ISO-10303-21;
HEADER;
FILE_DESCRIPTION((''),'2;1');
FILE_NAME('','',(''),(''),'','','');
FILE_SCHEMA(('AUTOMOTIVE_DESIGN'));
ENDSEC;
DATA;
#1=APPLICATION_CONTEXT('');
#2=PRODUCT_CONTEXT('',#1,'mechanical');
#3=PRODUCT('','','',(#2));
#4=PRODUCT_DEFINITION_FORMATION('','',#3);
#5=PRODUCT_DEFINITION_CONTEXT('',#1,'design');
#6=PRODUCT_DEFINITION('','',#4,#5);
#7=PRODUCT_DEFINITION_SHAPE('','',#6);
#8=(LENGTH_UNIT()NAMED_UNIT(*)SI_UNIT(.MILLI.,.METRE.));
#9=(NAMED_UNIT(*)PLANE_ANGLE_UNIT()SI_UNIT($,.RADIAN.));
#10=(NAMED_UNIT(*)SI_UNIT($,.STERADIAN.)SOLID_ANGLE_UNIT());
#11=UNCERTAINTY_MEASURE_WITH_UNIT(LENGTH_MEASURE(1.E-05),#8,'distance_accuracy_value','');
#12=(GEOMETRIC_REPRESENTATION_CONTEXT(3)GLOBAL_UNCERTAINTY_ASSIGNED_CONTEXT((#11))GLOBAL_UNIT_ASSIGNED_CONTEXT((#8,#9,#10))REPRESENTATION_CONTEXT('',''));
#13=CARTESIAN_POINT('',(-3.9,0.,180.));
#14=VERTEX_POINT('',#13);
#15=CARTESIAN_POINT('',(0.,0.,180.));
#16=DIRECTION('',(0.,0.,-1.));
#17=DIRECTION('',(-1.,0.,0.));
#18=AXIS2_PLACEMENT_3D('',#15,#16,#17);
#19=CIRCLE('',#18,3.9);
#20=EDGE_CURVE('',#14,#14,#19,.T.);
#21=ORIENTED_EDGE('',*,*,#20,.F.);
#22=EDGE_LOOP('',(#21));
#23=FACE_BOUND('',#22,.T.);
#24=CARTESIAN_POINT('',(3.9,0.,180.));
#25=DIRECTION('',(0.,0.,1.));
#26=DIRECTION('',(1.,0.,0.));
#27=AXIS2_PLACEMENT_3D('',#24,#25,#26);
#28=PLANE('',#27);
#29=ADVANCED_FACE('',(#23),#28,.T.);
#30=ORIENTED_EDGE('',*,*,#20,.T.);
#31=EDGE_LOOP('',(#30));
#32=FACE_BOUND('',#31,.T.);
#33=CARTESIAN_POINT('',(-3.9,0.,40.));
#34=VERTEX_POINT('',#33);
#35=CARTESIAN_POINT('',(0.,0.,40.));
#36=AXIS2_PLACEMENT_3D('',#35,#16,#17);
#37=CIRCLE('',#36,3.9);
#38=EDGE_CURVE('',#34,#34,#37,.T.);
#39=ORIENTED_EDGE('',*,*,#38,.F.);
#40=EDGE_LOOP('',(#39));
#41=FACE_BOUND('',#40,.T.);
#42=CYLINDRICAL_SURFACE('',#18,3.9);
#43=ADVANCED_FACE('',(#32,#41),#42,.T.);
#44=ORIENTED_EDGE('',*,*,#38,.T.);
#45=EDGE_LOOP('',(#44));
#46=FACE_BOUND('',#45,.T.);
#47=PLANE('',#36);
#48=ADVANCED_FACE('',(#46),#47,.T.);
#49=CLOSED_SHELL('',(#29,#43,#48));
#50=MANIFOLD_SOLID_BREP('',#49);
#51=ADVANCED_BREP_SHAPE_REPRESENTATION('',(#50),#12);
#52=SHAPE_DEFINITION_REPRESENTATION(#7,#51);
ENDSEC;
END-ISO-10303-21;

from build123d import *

# Parameters (mm, degrees)
SKETCH1_W = 3.9
SKETCH1_H = 140


with BuildPart() as part:
    # Sketch1 → Revolve1 (revolve)
    with BuildSketch(Plane.XZ, mode=Mode.PRIVATE) as revolve1_sk:
        with Locations((1.95, 110)):
            Rectangle(SKETCH1_W, SKETCH1_H)
    revolve(revolve1_sk.sketch.rotate(Axis((0, 0, 180), (0, 0, -1)), 180), axis=Axis((0, 0, 180), (0, 0, -1)))


solid = part.part
